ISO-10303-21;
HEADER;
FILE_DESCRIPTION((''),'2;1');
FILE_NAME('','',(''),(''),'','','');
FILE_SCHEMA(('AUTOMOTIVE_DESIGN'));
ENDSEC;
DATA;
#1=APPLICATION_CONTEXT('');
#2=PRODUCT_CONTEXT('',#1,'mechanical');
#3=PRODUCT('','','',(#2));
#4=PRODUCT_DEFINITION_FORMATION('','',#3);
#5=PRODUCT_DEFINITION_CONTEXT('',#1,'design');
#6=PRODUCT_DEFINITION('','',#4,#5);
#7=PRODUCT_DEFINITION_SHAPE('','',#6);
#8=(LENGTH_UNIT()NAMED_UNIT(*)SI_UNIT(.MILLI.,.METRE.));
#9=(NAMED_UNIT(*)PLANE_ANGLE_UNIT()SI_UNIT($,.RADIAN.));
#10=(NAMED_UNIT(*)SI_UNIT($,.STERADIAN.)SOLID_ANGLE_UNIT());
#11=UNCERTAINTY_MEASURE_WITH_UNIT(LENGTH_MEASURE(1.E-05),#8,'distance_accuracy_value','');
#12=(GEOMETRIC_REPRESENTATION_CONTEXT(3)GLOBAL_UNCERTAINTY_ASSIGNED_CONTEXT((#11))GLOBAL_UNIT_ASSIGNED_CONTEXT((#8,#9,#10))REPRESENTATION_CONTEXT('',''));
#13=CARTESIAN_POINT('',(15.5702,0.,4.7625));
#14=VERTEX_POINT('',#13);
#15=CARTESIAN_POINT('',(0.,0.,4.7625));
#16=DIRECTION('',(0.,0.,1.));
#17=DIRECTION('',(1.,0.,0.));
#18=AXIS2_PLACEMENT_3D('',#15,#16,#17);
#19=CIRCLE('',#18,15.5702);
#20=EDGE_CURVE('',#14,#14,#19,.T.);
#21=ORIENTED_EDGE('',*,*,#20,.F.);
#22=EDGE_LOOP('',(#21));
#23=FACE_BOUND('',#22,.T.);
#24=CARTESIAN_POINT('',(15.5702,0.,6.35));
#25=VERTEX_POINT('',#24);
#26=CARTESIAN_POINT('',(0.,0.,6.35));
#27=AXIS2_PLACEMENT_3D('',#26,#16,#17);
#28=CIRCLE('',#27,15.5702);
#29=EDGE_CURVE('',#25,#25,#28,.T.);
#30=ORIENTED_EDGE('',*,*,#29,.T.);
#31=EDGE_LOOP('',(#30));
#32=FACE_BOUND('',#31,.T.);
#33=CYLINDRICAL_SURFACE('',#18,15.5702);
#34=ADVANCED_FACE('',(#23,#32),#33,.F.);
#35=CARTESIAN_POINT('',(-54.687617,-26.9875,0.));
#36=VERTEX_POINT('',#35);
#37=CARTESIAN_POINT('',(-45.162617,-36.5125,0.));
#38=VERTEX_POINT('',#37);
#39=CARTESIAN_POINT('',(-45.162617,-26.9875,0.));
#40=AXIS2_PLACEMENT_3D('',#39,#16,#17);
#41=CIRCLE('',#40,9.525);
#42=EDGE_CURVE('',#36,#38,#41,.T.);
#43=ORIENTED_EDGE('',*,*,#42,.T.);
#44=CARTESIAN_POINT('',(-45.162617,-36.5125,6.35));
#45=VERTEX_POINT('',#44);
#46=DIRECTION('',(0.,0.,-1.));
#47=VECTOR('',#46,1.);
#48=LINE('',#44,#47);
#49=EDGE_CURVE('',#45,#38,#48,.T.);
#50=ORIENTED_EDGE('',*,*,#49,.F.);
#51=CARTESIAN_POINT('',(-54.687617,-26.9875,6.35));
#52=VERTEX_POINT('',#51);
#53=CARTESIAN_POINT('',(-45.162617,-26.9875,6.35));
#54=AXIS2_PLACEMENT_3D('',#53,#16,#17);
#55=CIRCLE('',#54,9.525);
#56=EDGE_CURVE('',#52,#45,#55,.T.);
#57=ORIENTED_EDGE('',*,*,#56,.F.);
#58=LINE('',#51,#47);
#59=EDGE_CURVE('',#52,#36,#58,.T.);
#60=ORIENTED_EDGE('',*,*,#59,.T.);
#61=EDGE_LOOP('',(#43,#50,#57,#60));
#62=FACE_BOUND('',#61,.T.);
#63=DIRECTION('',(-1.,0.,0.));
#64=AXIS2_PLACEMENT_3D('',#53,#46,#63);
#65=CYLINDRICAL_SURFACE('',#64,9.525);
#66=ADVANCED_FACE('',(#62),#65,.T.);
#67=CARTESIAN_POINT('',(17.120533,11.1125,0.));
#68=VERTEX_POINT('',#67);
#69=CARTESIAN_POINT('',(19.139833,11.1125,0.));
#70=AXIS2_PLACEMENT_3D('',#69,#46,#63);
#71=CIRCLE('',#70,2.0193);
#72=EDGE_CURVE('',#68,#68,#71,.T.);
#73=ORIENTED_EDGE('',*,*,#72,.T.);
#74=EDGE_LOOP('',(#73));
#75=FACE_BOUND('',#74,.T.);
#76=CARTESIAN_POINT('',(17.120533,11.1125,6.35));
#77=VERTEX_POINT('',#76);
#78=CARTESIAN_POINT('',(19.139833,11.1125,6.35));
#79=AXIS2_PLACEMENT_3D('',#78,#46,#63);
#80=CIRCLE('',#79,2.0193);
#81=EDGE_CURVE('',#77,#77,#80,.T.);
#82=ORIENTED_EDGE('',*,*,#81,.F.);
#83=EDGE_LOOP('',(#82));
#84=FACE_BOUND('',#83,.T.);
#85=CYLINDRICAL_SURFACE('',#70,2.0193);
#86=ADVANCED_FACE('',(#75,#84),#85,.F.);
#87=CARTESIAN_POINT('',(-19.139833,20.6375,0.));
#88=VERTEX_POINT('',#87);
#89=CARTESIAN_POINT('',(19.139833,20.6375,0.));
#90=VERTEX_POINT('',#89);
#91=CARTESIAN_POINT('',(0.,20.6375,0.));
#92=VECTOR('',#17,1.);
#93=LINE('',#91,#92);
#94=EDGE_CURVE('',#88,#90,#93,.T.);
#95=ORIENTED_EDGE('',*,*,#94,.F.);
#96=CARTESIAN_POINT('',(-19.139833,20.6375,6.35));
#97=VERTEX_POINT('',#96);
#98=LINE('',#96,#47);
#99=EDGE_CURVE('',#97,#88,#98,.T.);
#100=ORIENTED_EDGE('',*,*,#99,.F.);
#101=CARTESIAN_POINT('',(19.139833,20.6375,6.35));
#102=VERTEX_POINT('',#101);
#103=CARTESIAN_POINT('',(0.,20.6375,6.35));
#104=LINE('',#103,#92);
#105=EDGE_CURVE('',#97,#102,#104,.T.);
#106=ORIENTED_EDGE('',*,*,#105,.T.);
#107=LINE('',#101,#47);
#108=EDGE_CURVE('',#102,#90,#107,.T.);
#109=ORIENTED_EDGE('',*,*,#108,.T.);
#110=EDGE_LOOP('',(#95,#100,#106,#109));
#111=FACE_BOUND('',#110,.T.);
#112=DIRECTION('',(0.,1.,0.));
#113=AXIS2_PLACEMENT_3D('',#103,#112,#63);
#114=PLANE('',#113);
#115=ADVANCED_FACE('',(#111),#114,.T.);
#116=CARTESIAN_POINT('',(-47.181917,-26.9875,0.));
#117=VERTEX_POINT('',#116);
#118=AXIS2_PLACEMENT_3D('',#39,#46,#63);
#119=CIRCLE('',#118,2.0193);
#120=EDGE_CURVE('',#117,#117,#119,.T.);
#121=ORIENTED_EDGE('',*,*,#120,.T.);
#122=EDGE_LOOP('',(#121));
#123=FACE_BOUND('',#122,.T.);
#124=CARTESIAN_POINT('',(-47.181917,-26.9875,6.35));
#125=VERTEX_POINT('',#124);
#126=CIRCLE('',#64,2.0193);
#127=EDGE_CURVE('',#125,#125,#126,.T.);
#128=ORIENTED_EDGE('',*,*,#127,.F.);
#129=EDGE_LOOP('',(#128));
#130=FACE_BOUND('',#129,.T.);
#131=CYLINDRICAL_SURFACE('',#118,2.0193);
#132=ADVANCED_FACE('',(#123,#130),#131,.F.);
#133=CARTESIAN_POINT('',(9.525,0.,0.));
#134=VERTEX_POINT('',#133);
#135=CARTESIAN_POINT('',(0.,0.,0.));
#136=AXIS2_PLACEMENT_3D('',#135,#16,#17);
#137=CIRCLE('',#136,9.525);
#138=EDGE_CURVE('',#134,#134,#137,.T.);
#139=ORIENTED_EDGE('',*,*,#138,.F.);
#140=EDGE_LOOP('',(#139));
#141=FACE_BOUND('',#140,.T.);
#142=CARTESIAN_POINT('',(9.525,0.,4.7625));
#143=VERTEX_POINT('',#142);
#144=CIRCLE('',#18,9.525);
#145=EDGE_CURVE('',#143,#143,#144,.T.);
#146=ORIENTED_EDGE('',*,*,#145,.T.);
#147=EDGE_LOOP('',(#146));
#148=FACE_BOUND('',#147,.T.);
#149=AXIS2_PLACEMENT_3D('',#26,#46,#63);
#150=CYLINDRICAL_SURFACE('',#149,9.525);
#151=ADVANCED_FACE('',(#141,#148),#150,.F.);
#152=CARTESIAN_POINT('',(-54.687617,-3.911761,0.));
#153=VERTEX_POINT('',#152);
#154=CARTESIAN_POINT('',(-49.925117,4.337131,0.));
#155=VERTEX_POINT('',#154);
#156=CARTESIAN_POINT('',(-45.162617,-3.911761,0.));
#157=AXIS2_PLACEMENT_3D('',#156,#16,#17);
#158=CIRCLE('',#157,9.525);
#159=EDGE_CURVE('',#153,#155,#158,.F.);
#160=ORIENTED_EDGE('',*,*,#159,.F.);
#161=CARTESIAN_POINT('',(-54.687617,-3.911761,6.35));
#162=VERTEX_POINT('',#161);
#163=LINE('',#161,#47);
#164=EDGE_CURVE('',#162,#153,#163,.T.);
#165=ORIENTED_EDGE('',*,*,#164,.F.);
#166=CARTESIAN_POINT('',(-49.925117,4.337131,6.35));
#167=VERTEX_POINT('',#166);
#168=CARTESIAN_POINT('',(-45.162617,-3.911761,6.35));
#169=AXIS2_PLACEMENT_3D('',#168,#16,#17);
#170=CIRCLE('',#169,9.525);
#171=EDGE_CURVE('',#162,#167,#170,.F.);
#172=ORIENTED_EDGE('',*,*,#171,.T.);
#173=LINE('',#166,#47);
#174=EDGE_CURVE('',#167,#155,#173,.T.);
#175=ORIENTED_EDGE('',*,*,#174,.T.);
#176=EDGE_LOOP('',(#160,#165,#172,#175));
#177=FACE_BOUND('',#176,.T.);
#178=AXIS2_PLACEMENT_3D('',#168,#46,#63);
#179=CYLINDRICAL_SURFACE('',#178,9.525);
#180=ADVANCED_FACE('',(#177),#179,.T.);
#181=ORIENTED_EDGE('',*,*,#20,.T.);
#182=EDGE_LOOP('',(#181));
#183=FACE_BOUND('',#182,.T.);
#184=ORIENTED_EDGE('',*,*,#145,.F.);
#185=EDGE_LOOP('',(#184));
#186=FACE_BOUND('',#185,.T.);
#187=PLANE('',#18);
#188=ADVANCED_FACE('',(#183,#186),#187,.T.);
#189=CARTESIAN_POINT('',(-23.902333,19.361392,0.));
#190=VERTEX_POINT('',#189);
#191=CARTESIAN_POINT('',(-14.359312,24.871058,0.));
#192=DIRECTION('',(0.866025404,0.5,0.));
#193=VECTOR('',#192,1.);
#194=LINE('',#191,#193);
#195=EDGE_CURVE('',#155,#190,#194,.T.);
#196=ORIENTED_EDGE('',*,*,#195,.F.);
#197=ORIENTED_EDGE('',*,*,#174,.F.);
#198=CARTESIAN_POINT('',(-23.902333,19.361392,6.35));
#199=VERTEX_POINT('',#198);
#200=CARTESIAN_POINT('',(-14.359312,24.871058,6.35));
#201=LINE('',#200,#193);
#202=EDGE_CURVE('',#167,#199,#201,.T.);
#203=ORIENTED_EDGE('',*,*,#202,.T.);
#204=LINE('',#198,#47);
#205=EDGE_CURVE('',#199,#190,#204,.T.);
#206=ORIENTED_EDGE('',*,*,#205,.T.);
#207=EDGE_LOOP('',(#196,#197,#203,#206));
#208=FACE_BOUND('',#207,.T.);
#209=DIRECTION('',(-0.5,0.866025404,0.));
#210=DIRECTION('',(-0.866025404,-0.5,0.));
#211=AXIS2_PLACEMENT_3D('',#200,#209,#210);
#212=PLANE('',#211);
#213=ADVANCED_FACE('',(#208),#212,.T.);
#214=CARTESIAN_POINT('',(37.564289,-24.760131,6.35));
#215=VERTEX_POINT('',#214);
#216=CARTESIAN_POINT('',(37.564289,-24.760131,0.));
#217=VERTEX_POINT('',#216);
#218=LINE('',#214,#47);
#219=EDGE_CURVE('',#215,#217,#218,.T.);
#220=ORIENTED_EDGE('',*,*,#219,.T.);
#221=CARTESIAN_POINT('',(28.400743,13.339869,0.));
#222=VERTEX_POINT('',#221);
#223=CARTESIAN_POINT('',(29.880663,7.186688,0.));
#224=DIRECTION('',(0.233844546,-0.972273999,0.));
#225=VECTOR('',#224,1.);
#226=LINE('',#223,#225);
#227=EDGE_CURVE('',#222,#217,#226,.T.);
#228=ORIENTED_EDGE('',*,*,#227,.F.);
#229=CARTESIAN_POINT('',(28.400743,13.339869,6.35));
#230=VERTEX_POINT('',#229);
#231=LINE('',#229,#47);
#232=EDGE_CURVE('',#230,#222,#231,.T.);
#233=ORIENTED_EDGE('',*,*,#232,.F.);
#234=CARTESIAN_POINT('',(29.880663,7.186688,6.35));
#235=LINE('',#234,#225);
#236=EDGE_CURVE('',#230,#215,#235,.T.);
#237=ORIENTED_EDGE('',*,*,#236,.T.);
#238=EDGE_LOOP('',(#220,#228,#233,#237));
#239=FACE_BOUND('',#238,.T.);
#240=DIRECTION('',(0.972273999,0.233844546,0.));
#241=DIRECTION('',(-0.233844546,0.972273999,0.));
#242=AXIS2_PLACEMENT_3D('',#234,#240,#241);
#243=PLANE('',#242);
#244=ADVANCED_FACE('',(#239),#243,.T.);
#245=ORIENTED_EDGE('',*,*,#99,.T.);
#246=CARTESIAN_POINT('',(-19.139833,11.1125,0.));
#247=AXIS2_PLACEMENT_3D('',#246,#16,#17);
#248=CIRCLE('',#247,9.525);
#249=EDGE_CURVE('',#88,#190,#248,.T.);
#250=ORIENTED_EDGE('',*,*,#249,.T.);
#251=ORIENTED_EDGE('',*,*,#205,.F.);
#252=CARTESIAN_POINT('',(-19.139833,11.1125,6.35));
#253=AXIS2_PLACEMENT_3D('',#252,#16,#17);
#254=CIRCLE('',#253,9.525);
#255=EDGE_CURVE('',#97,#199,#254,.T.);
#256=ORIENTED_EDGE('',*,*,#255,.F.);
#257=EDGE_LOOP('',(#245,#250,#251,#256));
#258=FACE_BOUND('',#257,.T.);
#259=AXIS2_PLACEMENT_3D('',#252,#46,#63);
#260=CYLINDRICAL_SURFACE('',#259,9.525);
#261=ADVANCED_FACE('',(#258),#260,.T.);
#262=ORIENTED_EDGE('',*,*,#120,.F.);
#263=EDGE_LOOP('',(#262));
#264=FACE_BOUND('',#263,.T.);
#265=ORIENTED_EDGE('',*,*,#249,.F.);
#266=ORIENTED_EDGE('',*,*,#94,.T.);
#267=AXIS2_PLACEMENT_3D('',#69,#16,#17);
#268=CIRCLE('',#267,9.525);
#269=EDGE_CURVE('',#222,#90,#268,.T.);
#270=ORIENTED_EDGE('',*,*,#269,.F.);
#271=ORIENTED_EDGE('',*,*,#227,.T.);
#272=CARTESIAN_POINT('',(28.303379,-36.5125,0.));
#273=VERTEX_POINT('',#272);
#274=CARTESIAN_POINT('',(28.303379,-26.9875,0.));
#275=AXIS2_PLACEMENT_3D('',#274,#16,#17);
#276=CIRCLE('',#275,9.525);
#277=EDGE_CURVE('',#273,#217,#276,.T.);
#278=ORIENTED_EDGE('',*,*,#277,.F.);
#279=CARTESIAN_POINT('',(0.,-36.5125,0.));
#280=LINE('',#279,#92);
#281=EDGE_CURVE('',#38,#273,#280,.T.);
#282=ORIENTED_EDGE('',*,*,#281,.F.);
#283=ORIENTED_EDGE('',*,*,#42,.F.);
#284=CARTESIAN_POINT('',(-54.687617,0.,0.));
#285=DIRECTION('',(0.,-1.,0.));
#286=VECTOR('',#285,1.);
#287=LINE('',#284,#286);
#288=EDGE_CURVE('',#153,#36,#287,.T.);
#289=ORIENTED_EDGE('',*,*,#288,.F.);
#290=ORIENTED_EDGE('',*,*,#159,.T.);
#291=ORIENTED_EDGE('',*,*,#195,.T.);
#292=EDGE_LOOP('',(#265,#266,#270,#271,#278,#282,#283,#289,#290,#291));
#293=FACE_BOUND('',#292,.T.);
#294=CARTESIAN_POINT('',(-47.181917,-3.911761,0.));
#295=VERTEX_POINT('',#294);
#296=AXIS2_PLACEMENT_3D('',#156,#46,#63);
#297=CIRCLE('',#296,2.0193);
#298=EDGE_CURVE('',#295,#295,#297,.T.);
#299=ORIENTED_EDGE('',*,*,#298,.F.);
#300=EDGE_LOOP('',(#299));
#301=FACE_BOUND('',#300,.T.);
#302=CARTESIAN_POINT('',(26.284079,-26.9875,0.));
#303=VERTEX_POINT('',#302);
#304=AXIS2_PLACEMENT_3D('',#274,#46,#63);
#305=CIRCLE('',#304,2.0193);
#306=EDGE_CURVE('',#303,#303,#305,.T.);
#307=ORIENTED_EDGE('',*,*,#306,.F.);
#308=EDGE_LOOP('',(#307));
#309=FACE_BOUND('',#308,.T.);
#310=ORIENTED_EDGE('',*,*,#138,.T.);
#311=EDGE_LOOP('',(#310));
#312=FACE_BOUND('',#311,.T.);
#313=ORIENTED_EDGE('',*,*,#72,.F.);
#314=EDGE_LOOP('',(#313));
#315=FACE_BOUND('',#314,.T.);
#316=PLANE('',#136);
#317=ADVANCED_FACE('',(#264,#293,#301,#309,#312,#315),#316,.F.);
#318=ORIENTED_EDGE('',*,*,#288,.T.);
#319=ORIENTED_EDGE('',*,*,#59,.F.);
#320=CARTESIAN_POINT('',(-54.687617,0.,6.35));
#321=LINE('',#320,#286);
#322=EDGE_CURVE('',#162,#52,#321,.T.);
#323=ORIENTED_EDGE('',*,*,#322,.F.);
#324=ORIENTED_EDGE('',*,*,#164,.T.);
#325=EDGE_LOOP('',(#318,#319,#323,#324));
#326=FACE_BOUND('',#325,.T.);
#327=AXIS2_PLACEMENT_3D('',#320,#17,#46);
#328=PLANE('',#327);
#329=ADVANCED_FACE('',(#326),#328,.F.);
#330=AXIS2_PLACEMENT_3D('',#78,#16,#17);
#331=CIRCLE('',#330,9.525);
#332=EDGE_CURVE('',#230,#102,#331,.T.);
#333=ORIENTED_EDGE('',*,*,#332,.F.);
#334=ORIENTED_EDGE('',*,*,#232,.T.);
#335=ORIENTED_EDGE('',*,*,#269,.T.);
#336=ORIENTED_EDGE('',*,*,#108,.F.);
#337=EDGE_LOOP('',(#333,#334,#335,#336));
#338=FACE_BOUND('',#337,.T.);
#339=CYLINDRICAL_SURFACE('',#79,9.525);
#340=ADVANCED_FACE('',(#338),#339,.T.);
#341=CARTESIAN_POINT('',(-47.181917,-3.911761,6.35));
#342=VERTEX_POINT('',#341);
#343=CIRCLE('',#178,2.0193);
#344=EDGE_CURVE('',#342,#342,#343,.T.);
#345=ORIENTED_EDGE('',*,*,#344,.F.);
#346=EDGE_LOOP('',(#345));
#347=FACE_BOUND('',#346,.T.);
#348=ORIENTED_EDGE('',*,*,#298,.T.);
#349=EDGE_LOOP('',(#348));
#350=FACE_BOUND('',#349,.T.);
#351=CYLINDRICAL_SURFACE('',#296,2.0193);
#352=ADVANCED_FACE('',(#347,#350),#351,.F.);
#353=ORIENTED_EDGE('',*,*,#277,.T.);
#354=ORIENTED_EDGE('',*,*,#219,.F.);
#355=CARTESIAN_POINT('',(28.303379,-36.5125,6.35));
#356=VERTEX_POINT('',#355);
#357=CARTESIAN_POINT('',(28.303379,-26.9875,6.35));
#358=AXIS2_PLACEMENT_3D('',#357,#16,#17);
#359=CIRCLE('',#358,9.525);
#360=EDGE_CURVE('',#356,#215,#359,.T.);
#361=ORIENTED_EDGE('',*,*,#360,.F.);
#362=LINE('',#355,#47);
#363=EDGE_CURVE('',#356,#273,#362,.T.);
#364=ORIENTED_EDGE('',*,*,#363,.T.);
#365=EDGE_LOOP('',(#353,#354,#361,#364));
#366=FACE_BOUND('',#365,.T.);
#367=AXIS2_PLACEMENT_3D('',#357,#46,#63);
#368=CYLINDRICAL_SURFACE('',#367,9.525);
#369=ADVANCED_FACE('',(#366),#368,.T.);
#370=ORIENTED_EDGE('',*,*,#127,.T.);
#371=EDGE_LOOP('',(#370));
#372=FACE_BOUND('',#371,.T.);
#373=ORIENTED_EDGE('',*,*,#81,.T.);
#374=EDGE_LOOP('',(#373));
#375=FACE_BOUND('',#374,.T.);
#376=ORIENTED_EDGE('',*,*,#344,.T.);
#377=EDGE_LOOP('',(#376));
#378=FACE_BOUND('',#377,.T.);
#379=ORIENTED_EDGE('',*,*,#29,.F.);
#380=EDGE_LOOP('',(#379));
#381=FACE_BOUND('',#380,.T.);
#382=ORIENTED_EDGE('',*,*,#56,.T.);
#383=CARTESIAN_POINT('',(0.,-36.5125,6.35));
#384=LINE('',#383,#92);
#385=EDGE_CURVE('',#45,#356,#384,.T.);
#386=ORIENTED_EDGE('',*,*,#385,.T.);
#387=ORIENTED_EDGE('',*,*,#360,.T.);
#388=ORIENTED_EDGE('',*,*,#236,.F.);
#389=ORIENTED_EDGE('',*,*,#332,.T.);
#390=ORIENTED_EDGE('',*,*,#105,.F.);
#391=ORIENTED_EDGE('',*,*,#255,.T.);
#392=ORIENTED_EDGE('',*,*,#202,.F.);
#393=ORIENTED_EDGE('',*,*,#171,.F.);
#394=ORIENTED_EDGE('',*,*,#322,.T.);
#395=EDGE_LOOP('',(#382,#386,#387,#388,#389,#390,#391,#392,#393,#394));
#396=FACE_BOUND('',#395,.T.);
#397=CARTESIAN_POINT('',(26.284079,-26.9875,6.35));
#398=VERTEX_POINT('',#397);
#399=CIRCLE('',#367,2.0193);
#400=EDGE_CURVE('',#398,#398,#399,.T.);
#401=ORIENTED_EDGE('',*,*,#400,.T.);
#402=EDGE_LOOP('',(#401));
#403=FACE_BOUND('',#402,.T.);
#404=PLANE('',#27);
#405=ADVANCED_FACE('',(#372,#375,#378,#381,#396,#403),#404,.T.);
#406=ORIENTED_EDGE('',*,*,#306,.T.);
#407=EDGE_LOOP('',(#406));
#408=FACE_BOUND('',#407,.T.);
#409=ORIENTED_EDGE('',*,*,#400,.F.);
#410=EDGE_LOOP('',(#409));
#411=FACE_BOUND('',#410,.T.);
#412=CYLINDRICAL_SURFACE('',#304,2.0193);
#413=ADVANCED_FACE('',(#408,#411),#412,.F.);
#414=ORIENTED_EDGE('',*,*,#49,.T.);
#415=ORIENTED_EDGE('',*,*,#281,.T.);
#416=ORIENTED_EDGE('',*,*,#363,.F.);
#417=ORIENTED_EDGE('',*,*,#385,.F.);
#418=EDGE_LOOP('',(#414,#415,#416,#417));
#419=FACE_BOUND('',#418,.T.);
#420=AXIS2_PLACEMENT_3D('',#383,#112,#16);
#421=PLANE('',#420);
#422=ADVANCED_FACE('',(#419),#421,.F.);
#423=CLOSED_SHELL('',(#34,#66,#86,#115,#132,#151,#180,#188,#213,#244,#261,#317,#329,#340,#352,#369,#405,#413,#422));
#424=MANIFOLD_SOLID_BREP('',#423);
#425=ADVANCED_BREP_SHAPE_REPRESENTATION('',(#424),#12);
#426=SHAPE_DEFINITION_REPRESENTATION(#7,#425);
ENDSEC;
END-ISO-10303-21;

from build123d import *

# Parameters (mm, degrees)
SKETCH1_R                  = 9.525
BOSS_EXTRUDE1_DEPTH        = 6.35
SKETCH6_R                  = 15.5702
CUT_EXTRUDE2_DEPTH         = 1.5875
TAP_DRILL_FOR_10_32_TAP1_D = 4.0386


with BuildPart() as part:
    # Sketch1 → Boss-Extrude1 (new body)
    with BuildSketch(Plane.XY):
        with BuildLine():
            Line((-45.162617117, -36.5125), (28.303378868, -36.5125))
            ThreePointArc((28.303378868, -36.5125), (35.784732944, -32.882834273), (37.564288704, -24.760130697))
            Line((37.564288704, -24.760130697), (28.400743011, 13.339869303))
            ThreePointArc((28.400743011, 13.339869303), (25.035167449, 18.593854076), (19.139833175, 20.6375))
            Line((19.139833175, 20.6375), (-19.139833175, 20.6375))
            ThreePointArc((-19.139833175, 20.6375), (-21.60508458, 20.312943495), (-23.902333175, 19.361391971))
            Line((-23.902333175, 19.361391971), (-49.925117117, 4.337130657))
            ThreePointArc((-49.925117117, 4.337130657), (-53.411509088, 0.850738686), (-54.687617117, -3.911761314))
            Line((-54.687617117, -3.911761314), (-54.687617117, -26.9875))
            ThreePointArc((-54.687617117, -26.9875), (-51.897809208, -33.722692091), (-45.162617117, -36.5125))
        make_face()
        Circle(SKETCH1_R, mode=Mode.SUBTRACT)
    extrude(amount=BOSS_EXTRUDE1_DEPTH)

    # Sketch6 → Cut-Extrude2 (cut)
    with BuildSketch(Plane.XY.offset(6.35)):
        Circle(SKETCH6_R)
    extrude(amount=-CUT_EXTRUDE2_DEPTH, mode=Mode.SUBTRACT)

    # Tap Drill for #10-32 Tap1 (through all)
    with Locations(Plane(origin=(0, 0, 0), x_dir=(-1, 0, 0), z_dir=(0, 0, -1))):
        with Locations((-28.303378868, -26.9875), (-19.139833175, 11.1125), (45.162617117, -3.911761314), (45.162617117, -26.9875)):
            Hole(TAP_DRILL_FOR_10_32_TAP1_D / 2)


solid = part.part
